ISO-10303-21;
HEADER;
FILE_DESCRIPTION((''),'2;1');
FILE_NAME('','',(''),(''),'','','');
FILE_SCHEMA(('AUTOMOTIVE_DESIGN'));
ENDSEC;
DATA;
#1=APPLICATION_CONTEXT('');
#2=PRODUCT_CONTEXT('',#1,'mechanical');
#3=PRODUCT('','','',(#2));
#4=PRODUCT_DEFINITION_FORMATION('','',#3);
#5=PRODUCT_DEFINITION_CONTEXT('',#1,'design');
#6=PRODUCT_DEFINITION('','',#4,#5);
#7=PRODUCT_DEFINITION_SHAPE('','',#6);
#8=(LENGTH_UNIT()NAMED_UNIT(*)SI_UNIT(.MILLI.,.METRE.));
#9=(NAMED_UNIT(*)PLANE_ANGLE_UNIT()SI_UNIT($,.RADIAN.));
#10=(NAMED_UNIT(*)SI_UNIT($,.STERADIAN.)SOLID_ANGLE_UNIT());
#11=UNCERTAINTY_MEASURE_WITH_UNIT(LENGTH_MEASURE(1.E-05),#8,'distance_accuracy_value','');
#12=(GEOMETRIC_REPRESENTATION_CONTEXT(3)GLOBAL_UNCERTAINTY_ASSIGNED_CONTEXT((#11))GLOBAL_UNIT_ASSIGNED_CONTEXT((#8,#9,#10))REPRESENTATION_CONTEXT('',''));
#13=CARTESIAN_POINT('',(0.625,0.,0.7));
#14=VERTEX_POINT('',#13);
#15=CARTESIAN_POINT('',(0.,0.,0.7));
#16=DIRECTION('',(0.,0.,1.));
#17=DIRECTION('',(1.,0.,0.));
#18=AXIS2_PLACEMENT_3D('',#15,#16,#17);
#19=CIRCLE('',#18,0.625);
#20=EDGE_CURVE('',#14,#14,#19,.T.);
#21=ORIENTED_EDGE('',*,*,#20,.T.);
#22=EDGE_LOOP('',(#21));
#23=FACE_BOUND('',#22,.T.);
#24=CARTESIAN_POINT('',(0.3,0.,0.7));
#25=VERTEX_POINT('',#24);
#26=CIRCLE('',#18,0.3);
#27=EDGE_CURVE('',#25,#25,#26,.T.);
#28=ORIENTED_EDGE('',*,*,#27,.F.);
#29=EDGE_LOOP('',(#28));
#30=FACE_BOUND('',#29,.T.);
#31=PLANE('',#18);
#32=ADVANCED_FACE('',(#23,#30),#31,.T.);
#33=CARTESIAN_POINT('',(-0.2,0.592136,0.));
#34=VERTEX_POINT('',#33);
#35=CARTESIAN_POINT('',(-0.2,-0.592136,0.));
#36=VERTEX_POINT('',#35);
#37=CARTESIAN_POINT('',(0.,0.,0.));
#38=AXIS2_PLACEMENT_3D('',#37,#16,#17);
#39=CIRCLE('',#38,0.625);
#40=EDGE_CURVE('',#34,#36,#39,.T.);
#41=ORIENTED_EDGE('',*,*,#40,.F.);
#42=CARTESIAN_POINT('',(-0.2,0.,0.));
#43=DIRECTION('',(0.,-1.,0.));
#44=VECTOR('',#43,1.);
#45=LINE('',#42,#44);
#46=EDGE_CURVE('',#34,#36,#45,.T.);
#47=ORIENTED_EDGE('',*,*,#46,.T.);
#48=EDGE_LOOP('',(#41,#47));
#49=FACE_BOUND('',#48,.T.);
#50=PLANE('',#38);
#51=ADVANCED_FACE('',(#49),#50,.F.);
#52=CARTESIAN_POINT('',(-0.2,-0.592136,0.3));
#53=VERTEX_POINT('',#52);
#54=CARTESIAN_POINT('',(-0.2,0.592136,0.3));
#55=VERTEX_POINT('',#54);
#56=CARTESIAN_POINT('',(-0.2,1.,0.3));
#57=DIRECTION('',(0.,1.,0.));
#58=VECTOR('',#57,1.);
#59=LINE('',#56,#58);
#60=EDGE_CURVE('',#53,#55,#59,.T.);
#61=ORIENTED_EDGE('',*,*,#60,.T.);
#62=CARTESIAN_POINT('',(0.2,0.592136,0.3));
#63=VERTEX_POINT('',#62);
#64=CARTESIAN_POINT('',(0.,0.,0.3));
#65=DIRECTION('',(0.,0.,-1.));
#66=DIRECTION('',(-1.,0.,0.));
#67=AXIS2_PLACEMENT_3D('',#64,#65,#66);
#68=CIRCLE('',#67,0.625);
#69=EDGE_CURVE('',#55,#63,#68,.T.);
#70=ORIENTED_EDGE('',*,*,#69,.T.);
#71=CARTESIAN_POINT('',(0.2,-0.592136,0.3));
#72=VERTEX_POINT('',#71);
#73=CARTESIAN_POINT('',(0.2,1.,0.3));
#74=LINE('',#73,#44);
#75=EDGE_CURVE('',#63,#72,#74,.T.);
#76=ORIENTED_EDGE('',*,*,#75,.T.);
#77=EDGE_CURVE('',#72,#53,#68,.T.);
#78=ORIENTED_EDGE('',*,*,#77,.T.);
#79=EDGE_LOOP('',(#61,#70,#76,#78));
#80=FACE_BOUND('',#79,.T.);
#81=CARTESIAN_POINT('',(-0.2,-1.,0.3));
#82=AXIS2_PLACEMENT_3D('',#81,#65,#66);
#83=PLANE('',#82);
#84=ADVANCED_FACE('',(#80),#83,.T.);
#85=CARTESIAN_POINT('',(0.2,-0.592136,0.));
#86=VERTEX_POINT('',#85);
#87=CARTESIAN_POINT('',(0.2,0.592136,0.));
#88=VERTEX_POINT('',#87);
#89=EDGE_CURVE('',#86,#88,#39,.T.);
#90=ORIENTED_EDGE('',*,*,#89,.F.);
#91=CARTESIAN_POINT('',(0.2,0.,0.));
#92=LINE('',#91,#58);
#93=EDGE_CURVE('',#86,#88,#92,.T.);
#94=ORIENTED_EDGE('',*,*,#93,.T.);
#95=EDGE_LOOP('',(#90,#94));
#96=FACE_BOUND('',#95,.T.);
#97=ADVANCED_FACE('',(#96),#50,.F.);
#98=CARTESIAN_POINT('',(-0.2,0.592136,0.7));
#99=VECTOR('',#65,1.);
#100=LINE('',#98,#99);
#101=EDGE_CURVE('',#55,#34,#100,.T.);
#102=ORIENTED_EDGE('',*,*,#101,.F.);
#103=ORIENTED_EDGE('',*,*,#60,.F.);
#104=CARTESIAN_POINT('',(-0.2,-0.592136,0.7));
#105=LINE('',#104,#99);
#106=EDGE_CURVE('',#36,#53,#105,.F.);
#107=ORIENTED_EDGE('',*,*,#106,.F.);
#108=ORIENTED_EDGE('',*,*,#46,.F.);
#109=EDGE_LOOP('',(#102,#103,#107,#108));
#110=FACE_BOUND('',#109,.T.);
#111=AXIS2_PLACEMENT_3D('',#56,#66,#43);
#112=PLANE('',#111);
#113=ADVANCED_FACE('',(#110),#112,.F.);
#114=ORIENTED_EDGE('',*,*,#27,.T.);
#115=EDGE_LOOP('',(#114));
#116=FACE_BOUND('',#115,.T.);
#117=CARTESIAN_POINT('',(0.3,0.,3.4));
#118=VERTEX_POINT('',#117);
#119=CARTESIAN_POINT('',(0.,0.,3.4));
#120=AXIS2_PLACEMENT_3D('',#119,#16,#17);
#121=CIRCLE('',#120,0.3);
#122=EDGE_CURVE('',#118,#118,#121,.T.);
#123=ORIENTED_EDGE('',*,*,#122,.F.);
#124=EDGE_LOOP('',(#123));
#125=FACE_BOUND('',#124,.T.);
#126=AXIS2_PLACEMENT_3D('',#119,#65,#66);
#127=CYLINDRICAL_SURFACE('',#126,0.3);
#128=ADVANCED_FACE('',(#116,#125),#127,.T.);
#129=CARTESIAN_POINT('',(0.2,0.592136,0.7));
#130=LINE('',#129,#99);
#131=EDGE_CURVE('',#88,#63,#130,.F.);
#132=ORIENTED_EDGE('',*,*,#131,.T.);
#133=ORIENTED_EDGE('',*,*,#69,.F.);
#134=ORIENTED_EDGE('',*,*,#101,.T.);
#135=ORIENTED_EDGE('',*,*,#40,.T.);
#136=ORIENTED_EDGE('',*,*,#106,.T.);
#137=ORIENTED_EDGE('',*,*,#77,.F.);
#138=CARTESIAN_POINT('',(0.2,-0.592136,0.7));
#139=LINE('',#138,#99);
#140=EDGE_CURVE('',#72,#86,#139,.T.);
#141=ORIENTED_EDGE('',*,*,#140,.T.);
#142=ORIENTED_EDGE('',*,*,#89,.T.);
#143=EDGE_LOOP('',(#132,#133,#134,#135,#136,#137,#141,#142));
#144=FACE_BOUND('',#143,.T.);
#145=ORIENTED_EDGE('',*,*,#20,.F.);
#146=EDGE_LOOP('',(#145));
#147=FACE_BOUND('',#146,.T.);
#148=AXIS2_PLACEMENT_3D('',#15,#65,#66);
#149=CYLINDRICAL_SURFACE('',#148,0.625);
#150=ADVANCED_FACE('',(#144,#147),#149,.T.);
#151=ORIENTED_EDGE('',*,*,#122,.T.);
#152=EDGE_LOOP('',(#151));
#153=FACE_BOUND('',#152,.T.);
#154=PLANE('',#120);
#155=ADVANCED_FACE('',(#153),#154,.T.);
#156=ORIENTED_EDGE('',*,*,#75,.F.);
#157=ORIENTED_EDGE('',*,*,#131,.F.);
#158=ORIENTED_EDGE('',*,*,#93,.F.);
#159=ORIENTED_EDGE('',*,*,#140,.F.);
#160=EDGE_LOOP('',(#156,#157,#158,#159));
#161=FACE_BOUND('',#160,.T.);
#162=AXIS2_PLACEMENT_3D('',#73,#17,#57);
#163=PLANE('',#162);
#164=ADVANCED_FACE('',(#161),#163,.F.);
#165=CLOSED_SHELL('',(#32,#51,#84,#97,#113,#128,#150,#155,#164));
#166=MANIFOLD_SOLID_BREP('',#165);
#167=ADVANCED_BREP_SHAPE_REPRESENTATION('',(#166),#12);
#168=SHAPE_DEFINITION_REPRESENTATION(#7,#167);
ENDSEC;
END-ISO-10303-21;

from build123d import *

# Parameters (mm, degrees)
SKETCH1_R           = 0.625
BOSS_EXTRUDE1_DEPTH = 0.7
SKETCH3_R           = 0.3
BOSS_EXTRUDE2_DEPTH = 2.7
SKETCH5_W           = 0.4
SKETCH5_H           = 2
CUT_EXTRUDE1_DEPTH  = 0.3


with BuildPart() as part:
    # Sketch1 → Boss-Extrude1 (new body)
    with BuildSketch(Plane.XY):
        Circle(SKETCH1_R)
    extrude(amount=BOSS_EXTRUDE1_DEPTH)

    # Sketch3 → Boss-Extrude2 (add)
    with BuildSketch(Plane.XY.offset(0.7)):
        Circle(SKETCH3_R)
    extrude(amount=BOSS_EXTRUDE2_DEPTH)

    # Sketch5 → Cut-Extrude1 (cut)
    with BuildSketch(Plane(origin=(0, 0, 0), x_dir=(-1, 0, 0), z_dir=(0, 0, -1))):
        Rectangle(SKETCH5_W, SKETCH5_H)
    extrude(amount=-CUT_EXTRUDE1_DEPTH, mode=Mode.SUBTRACT)


solid = part.part
